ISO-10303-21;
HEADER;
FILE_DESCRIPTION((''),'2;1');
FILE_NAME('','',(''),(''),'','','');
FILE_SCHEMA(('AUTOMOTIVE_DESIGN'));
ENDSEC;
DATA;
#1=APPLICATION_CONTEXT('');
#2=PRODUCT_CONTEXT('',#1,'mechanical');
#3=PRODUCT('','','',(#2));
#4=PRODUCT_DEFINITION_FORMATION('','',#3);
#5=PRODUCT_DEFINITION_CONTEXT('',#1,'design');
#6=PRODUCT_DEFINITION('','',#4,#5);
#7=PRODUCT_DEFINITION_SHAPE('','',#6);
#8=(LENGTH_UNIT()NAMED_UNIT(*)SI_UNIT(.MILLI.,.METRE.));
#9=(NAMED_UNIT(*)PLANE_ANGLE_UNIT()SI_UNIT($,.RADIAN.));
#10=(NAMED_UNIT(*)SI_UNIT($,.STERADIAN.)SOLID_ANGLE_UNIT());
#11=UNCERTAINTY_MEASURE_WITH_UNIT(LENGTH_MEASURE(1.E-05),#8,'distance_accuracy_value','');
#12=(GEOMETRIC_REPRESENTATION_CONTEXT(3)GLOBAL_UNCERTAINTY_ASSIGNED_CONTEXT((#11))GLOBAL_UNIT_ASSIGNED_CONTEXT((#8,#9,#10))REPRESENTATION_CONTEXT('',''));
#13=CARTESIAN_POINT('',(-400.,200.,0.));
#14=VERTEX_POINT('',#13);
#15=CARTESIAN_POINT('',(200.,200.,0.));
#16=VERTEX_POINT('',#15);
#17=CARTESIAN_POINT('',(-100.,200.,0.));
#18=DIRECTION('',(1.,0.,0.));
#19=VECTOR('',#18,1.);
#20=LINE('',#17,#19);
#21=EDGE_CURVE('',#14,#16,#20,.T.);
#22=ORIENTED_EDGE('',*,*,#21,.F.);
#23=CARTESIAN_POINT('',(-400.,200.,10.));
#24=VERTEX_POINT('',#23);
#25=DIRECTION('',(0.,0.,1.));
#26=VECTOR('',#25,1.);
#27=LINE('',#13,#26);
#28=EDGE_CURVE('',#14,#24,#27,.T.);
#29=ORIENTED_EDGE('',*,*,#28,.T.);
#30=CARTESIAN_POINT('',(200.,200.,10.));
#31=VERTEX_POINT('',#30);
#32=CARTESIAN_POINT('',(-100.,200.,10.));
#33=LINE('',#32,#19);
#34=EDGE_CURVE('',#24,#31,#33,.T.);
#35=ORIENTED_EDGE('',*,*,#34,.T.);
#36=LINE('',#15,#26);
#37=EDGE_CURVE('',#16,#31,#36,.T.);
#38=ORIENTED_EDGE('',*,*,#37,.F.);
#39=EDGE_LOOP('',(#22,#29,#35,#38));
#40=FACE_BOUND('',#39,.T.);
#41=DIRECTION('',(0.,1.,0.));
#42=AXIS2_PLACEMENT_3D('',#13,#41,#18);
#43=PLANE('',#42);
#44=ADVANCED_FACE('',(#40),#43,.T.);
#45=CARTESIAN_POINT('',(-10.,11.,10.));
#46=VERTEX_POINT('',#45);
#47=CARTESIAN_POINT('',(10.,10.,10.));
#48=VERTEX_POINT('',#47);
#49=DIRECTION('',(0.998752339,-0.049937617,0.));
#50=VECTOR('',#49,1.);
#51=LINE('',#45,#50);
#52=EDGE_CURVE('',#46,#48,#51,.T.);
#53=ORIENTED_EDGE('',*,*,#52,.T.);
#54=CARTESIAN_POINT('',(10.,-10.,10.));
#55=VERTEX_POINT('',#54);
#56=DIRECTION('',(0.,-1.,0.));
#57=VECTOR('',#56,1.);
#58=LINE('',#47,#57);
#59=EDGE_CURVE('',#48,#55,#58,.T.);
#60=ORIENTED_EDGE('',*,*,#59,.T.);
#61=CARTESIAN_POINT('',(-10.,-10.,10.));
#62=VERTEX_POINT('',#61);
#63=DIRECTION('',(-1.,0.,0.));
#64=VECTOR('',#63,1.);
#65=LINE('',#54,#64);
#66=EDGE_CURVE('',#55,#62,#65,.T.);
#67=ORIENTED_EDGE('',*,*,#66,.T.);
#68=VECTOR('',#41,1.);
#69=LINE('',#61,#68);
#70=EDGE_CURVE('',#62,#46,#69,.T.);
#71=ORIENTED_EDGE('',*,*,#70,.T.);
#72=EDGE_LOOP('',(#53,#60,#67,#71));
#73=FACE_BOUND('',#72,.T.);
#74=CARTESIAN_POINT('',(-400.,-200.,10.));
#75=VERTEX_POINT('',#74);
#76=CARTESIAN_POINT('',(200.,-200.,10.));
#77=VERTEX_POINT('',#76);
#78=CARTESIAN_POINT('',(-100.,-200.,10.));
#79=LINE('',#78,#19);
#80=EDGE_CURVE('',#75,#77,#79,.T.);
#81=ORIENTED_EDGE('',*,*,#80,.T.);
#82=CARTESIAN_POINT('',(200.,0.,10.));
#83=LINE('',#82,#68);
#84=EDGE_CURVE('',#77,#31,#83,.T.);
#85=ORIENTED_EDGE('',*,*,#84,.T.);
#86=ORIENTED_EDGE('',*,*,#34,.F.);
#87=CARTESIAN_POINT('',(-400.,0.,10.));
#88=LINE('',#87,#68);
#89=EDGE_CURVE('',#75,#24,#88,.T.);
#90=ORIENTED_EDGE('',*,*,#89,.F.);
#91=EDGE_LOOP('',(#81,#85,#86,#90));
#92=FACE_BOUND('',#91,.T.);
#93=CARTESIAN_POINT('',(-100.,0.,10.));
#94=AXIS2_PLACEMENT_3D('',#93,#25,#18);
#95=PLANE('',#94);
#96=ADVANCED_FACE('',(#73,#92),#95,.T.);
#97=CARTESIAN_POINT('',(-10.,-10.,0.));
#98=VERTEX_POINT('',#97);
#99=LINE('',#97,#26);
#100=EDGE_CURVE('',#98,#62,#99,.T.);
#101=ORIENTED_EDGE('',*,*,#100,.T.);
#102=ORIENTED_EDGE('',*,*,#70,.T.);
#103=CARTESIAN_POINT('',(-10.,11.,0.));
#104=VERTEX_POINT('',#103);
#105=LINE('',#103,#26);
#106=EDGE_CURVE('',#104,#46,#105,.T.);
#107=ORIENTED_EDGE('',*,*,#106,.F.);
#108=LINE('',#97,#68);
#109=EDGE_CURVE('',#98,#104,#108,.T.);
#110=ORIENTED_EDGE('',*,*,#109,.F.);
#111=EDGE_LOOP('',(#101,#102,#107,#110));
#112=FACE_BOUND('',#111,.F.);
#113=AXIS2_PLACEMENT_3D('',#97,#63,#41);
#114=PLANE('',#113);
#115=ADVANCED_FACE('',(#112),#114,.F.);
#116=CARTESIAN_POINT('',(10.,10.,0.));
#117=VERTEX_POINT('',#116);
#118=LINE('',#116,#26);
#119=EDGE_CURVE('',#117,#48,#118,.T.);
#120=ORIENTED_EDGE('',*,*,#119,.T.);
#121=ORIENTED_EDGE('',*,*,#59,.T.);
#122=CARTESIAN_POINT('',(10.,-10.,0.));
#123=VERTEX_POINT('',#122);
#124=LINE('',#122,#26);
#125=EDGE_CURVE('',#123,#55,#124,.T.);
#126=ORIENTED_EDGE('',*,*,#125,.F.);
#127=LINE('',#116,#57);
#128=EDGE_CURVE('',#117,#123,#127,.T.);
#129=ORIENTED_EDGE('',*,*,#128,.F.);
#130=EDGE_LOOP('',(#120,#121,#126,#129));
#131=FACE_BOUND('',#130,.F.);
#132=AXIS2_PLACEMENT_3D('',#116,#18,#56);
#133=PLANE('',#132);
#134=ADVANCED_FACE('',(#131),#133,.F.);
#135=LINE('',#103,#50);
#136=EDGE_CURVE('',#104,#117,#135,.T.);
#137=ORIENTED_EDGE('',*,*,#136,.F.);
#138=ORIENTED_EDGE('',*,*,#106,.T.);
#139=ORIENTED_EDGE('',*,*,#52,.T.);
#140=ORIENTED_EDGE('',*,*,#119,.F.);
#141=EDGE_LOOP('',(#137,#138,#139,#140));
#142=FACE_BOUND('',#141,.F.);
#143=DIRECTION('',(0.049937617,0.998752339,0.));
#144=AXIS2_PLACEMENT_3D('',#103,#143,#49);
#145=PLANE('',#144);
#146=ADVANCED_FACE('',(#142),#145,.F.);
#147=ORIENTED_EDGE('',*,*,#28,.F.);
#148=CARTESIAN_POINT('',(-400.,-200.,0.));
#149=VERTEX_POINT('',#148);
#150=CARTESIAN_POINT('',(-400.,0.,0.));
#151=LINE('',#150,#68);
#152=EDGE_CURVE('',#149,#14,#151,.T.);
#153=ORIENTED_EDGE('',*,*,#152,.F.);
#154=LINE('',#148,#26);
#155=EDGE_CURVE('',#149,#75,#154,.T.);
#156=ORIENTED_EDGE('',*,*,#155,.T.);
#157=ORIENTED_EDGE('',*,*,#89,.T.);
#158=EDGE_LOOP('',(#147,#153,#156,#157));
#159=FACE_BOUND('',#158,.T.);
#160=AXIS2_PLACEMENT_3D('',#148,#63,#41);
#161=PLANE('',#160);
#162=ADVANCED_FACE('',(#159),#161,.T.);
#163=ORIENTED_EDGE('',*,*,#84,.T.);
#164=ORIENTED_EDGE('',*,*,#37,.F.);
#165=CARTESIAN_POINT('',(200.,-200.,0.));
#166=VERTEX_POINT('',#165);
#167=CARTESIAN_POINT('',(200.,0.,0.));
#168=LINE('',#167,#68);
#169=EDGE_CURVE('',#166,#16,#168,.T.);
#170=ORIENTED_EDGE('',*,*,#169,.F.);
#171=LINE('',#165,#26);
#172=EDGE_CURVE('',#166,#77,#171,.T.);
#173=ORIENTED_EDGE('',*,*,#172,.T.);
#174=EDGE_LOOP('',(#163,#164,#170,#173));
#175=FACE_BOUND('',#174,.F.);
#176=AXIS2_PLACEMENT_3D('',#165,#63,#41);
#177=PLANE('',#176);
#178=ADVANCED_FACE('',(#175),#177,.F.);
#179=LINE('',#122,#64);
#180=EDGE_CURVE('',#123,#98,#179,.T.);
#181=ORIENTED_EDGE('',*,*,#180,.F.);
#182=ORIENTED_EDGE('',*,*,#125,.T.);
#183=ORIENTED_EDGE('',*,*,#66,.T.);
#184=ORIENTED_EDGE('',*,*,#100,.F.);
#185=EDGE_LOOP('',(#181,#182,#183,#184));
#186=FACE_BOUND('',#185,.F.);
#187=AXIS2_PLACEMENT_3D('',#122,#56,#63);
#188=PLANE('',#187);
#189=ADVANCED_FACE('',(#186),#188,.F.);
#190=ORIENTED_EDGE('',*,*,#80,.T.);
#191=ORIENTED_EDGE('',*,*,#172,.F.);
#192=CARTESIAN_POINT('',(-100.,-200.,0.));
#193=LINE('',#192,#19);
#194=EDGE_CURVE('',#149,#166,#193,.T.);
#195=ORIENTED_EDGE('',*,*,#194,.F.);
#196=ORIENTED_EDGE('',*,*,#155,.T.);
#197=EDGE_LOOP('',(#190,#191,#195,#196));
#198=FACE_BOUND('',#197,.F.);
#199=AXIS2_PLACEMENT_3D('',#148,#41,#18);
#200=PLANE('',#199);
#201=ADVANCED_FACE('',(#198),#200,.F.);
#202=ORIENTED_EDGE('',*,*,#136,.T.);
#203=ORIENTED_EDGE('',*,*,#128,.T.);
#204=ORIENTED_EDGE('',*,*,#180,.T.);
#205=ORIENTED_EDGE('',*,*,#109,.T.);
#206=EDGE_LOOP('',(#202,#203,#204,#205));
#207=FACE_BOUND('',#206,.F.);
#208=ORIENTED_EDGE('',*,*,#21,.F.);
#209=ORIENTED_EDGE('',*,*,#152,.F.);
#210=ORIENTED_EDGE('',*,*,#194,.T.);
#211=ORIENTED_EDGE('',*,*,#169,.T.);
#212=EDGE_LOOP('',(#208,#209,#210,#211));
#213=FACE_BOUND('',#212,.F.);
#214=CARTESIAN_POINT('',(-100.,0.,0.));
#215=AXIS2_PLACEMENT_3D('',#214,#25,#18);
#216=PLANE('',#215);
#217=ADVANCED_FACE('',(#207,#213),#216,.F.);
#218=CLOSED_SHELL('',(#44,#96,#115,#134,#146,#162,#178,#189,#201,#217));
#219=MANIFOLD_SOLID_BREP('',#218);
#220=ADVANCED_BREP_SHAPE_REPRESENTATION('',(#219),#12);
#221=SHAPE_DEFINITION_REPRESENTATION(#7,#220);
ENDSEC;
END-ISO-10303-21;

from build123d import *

# Parameters (mm, degrees)
F0_W     = 600
F0_H     = 400
F1_DEPTH = 10


with BuildPart() as f1:
    # F0 (on Top) → F1 (new body)
    with BuildSketch(Plane.XY):
        with Locations((-100, 0)):
            Rectangle(F0_W, F0_H)
        Polygon((-10, -10), (-10, 11), (10, 10), (10, -10), align=None, mode=Mode.SUBTRACT)
    extrude(amount=F1_DEPTH)


solid = f1.part
